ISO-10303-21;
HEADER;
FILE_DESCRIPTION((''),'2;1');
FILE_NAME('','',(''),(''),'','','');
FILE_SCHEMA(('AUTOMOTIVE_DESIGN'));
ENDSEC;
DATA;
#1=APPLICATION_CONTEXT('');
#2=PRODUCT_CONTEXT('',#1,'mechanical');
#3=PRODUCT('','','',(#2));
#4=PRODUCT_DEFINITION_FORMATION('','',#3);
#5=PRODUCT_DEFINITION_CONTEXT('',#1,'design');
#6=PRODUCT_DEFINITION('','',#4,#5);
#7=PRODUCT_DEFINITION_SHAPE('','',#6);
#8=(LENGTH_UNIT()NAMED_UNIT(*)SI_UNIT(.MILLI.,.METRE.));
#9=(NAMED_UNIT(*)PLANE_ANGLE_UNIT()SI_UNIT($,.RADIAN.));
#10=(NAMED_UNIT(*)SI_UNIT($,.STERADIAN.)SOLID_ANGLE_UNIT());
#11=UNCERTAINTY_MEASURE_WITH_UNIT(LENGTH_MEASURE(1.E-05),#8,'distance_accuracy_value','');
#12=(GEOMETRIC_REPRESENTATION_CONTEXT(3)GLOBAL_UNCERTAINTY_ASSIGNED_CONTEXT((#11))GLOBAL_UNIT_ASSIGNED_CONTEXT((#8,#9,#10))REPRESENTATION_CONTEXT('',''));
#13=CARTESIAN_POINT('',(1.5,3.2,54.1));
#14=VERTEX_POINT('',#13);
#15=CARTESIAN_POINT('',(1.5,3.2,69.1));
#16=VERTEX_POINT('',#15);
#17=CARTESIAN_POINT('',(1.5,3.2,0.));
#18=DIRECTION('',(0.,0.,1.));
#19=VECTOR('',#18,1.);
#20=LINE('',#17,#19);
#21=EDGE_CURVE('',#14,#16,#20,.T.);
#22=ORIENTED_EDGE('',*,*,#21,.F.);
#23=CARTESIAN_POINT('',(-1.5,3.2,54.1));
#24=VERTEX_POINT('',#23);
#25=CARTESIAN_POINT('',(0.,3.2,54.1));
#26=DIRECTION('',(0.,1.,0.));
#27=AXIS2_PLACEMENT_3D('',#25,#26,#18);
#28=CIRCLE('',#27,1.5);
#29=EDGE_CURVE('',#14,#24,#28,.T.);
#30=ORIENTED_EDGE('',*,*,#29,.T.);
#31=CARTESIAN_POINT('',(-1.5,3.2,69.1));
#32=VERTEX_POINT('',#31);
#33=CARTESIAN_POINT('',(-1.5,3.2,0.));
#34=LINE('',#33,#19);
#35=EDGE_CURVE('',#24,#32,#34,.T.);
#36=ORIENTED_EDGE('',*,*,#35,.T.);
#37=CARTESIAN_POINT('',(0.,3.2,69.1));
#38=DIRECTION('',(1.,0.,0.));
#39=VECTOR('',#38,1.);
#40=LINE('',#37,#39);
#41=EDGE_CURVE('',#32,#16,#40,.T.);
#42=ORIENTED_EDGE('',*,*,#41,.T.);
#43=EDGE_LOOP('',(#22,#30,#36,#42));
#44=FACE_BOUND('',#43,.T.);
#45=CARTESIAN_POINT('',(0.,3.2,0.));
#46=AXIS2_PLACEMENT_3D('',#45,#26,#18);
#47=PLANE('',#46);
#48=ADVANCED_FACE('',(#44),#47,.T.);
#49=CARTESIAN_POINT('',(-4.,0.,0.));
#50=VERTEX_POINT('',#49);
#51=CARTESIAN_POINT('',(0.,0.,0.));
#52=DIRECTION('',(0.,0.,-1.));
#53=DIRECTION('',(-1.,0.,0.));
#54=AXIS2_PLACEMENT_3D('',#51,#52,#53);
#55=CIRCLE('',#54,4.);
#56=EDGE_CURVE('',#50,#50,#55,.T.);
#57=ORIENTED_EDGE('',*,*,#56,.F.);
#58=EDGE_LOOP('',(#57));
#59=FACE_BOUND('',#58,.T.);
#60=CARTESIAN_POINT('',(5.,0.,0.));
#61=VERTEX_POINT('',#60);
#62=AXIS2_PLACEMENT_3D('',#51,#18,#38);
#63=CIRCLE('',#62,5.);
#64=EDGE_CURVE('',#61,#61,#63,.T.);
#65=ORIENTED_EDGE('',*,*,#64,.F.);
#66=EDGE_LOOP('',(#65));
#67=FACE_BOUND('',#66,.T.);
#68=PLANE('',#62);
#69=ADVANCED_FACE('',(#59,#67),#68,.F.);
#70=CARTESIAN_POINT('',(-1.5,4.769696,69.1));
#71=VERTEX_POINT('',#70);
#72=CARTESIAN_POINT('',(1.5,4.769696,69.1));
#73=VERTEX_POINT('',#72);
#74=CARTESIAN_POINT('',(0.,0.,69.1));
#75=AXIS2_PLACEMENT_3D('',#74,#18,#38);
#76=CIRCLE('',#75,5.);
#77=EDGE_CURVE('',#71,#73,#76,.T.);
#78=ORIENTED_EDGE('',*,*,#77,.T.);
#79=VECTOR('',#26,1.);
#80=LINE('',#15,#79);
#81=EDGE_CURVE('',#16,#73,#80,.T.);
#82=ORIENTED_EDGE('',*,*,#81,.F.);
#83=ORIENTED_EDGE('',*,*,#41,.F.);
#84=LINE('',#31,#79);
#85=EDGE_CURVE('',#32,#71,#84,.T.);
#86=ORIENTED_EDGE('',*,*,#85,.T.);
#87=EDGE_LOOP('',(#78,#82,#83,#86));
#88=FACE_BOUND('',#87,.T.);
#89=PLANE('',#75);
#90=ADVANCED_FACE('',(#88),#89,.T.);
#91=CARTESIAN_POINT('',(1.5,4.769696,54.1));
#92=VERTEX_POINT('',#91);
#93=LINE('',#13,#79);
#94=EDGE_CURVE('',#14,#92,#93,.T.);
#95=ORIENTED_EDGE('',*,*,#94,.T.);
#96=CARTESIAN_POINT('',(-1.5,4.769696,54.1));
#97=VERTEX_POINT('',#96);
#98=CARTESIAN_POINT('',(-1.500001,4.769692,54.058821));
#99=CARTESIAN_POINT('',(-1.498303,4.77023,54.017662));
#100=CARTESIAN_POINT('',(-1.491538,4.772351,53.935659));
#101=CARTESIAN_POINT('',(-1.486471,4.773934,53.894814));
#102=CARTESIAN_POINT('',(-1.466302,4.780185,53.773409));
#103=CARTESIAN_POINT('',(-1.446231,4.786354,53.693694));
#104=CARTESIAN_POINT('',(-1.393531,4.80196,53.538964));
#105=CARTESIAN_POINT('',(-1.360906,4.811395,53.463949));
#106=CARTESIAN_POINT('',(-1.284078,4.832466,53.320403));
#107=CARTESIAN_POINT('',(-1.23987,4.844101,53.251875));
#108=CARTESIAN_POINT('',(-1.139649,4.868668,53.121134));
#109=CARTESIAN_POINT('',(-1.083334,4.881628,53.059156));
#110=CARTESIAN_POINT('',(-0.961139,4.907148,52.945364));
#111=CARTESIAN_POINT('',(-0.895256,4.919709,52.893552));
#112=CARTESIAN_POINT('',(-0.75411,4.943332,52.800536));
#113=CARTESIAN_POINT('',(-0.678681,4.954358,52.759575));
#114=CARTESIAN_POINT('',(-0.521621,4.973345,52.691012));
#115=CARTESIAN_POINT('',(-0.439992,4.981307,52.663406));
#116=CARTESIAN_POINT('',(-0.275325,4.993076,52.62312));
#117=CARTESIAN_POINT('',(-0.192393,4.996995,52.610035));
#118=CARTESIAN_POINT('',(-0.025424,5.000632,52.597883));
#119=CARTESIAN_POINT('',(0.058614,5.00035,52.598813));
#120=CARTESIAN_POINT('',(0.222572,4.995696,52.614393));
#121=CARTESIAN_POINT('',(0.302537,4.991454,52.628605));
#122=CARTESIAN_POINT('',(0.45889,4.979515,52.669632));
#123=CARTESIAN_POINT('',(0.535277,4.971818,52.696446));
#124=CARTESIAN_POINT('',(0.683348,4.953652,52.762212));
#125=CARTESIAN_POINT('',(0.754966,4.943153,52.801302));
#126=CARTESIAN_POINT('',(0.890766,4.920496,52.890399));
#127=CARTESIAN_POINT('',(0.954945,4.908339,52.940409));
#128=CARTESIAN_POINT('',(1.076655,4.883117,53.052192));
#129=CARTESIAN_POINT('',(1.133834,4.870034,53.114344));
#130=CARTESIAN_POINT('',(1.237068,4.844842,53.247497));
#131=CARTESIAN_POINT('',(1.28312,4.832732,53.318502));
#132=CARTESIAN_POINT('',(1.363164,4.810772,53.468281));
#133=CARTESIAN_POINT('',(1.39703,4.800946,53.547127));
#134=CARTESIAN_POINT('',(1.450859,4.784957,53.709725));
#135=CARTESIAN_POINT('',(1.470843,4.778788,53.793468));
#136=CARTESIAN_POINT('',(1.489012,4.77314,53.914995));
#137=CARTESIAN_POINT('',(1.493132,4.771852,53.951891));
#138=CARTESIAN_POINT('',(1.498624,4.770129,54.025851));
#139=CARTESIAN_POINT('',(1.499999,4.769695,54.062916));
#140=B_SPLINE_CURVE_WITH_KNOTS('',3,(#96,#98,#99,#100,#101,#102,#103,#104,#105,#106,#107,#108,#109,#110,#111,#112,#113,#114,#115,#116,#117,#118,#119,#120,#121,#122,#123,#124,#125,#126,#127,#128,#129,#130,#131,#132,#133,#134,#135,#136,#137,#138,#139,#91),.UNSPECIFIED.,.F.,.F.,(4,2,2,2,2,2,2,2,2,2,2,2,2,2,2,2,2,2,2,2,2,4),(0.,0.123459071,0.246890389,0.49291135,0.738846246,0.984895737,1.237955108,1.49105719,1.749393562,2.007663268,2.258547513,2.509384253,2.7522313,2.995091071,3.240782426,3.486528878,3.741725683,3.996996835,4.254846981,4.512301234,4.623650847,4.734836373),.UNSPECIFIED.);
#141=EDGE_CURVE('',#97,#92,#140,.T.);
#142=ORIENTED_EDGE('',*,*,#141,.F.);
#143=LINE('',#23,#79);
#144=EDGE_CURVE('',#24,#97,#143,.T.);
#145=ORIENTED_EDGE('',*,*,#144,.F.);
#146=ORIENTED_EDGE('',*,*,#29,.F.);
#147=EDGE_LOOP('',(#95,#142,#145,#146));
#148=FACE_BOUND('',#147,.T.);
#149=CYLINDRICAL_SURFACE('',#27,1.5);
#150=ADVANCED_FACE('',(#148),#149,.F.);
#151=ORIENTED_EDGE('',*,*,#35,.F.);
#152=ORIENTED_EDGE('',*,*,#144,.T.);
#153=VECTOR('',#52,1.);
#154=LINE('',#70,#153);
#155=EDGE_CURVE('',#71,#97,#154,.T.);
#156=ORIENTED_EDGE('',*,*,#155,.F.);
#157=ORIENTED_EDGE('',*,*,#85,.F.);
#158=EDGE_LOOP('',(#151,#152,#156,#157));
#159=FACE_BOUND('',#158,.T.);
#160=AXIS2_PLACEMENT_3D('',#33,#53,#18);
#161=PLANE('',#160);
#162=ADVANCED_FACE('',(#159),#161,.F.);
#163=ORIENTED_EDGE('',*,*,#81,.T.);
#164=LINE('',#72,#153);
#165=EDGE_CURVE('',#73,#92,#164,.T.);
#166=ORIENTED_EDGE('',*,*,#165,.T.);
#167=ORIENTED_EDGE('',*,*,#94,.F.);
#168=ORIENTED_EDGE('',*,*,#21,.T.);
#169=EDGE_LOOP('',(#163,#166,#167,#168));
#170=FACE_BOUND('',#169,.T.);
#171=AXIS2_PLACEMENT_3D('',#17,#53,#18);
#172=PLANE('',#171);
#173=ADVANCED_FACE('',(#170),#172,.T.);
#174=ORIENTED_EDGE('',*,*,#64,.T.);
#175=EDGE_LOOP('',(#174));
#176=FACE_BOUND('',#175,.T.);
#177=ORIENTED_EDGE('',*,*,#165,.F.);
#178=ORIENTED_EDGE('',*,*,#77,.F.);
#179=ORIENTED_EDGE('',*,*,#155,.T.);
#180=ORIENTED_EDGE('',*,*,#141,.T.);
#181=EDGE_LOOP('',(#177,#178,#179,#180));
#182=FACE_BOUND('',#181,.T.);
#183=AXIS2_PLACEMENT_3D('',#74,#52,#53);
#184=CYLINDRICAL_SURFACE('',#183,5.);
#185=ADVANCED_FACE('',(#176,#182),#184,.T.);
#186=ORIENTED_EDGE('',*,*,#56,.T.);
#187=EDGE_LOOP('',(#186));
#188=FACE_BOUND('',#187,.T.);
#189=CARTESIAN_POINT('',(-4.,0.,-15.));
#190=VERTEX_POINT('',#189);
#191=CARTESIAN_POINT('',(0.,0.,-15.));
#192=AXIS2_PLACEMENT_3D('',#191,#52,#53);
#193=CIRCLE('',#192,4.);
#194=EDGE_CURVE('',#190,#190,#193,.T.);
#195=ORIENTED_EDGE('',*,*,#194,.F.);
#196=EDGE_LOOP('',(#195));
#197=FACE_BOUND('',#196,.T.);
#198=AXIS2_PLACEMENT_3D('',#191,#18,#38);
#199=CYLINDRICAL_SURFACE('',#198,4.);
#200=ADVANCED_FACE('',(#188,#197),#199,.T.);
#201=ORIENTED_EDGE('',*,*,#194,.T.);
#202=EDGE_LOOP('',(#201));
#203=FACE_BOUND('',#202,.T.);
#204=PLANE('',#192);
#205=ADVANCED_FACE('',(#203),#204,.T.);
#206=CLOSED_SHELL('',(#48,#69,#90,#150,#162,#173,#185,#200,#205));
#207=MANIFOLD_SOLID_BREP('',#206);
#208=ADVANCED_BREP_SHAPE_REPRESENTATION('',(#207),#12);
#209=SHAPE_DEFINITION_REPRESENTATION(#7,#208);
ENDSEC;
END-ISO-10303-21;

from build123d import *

# Parameters (mm, degrees)
SKETCH_1_R          = 5
EXTRUDE_1_DEPTH     = 69.1
SKETCH_3_R          = 4
EXTRUDE_3_DEPTH     = 15
CUT_EXTRUDE_1_DEPTH = 1.8


with BuildPart() as part:
    # ｽｹｯﾁ1 → ﾎﾞｽ - 押し出し1 (new body)
    with BuildSketch(Plane.XY):
        Circle(SKETCH_1_R)
    extrude(amount=EXTRUDE_1_DEPTH)

    # ｽｹｯﾁ3 → ﾎﾞｽ - 押し出し3 (add)
    with BuildSketch(Plane(origin=(0, 0, 0), x_dir=(-1, 0, 0), z_dir=(0, 0, -1))):
        Circle(SKETCH_3_R)
    extrude(amount=EXTRUDE_3_DEPTH)

    # ｽｹｯﾁ4 → ｶｯﾄ - 押し出し1 (cut)
    with BuildSketch(Plane(origin=(0, 5, 0), x_dir=(1, 0, 0), z_dir=(0, 1, 0))):
        with BuildLine():
            ThreePointArc((1.5, -54.1), (0, -52.6), (-1.5, -54.1))
            Line((-1.5, -54.1), (1.5, -54.1))
        make_face()
        with BuildLine():
            Line((1.5, -54.1), (-1.5, -54.1))
            ThreePointArc((-1.5, -54.1), (0, -55.6), (1.5, -54.1))
        make_face()
        with BuildLine():
            ThreePointArc((1.5, -54.1), (0, -55.6), (-1.5, -54.1))
            Line((-1.5, -54.1), (-1.5, -69.1))
            Line((-1.5, -69.1), (1.5, -69.1))
            Line((1.5, -69.1), (1.5, -54.1))
        make_face()
    extrude(amount=-CUT_EXTRUDE_1_DEPTH, mode=Mode.SUBTRACT)


solid = part.part
